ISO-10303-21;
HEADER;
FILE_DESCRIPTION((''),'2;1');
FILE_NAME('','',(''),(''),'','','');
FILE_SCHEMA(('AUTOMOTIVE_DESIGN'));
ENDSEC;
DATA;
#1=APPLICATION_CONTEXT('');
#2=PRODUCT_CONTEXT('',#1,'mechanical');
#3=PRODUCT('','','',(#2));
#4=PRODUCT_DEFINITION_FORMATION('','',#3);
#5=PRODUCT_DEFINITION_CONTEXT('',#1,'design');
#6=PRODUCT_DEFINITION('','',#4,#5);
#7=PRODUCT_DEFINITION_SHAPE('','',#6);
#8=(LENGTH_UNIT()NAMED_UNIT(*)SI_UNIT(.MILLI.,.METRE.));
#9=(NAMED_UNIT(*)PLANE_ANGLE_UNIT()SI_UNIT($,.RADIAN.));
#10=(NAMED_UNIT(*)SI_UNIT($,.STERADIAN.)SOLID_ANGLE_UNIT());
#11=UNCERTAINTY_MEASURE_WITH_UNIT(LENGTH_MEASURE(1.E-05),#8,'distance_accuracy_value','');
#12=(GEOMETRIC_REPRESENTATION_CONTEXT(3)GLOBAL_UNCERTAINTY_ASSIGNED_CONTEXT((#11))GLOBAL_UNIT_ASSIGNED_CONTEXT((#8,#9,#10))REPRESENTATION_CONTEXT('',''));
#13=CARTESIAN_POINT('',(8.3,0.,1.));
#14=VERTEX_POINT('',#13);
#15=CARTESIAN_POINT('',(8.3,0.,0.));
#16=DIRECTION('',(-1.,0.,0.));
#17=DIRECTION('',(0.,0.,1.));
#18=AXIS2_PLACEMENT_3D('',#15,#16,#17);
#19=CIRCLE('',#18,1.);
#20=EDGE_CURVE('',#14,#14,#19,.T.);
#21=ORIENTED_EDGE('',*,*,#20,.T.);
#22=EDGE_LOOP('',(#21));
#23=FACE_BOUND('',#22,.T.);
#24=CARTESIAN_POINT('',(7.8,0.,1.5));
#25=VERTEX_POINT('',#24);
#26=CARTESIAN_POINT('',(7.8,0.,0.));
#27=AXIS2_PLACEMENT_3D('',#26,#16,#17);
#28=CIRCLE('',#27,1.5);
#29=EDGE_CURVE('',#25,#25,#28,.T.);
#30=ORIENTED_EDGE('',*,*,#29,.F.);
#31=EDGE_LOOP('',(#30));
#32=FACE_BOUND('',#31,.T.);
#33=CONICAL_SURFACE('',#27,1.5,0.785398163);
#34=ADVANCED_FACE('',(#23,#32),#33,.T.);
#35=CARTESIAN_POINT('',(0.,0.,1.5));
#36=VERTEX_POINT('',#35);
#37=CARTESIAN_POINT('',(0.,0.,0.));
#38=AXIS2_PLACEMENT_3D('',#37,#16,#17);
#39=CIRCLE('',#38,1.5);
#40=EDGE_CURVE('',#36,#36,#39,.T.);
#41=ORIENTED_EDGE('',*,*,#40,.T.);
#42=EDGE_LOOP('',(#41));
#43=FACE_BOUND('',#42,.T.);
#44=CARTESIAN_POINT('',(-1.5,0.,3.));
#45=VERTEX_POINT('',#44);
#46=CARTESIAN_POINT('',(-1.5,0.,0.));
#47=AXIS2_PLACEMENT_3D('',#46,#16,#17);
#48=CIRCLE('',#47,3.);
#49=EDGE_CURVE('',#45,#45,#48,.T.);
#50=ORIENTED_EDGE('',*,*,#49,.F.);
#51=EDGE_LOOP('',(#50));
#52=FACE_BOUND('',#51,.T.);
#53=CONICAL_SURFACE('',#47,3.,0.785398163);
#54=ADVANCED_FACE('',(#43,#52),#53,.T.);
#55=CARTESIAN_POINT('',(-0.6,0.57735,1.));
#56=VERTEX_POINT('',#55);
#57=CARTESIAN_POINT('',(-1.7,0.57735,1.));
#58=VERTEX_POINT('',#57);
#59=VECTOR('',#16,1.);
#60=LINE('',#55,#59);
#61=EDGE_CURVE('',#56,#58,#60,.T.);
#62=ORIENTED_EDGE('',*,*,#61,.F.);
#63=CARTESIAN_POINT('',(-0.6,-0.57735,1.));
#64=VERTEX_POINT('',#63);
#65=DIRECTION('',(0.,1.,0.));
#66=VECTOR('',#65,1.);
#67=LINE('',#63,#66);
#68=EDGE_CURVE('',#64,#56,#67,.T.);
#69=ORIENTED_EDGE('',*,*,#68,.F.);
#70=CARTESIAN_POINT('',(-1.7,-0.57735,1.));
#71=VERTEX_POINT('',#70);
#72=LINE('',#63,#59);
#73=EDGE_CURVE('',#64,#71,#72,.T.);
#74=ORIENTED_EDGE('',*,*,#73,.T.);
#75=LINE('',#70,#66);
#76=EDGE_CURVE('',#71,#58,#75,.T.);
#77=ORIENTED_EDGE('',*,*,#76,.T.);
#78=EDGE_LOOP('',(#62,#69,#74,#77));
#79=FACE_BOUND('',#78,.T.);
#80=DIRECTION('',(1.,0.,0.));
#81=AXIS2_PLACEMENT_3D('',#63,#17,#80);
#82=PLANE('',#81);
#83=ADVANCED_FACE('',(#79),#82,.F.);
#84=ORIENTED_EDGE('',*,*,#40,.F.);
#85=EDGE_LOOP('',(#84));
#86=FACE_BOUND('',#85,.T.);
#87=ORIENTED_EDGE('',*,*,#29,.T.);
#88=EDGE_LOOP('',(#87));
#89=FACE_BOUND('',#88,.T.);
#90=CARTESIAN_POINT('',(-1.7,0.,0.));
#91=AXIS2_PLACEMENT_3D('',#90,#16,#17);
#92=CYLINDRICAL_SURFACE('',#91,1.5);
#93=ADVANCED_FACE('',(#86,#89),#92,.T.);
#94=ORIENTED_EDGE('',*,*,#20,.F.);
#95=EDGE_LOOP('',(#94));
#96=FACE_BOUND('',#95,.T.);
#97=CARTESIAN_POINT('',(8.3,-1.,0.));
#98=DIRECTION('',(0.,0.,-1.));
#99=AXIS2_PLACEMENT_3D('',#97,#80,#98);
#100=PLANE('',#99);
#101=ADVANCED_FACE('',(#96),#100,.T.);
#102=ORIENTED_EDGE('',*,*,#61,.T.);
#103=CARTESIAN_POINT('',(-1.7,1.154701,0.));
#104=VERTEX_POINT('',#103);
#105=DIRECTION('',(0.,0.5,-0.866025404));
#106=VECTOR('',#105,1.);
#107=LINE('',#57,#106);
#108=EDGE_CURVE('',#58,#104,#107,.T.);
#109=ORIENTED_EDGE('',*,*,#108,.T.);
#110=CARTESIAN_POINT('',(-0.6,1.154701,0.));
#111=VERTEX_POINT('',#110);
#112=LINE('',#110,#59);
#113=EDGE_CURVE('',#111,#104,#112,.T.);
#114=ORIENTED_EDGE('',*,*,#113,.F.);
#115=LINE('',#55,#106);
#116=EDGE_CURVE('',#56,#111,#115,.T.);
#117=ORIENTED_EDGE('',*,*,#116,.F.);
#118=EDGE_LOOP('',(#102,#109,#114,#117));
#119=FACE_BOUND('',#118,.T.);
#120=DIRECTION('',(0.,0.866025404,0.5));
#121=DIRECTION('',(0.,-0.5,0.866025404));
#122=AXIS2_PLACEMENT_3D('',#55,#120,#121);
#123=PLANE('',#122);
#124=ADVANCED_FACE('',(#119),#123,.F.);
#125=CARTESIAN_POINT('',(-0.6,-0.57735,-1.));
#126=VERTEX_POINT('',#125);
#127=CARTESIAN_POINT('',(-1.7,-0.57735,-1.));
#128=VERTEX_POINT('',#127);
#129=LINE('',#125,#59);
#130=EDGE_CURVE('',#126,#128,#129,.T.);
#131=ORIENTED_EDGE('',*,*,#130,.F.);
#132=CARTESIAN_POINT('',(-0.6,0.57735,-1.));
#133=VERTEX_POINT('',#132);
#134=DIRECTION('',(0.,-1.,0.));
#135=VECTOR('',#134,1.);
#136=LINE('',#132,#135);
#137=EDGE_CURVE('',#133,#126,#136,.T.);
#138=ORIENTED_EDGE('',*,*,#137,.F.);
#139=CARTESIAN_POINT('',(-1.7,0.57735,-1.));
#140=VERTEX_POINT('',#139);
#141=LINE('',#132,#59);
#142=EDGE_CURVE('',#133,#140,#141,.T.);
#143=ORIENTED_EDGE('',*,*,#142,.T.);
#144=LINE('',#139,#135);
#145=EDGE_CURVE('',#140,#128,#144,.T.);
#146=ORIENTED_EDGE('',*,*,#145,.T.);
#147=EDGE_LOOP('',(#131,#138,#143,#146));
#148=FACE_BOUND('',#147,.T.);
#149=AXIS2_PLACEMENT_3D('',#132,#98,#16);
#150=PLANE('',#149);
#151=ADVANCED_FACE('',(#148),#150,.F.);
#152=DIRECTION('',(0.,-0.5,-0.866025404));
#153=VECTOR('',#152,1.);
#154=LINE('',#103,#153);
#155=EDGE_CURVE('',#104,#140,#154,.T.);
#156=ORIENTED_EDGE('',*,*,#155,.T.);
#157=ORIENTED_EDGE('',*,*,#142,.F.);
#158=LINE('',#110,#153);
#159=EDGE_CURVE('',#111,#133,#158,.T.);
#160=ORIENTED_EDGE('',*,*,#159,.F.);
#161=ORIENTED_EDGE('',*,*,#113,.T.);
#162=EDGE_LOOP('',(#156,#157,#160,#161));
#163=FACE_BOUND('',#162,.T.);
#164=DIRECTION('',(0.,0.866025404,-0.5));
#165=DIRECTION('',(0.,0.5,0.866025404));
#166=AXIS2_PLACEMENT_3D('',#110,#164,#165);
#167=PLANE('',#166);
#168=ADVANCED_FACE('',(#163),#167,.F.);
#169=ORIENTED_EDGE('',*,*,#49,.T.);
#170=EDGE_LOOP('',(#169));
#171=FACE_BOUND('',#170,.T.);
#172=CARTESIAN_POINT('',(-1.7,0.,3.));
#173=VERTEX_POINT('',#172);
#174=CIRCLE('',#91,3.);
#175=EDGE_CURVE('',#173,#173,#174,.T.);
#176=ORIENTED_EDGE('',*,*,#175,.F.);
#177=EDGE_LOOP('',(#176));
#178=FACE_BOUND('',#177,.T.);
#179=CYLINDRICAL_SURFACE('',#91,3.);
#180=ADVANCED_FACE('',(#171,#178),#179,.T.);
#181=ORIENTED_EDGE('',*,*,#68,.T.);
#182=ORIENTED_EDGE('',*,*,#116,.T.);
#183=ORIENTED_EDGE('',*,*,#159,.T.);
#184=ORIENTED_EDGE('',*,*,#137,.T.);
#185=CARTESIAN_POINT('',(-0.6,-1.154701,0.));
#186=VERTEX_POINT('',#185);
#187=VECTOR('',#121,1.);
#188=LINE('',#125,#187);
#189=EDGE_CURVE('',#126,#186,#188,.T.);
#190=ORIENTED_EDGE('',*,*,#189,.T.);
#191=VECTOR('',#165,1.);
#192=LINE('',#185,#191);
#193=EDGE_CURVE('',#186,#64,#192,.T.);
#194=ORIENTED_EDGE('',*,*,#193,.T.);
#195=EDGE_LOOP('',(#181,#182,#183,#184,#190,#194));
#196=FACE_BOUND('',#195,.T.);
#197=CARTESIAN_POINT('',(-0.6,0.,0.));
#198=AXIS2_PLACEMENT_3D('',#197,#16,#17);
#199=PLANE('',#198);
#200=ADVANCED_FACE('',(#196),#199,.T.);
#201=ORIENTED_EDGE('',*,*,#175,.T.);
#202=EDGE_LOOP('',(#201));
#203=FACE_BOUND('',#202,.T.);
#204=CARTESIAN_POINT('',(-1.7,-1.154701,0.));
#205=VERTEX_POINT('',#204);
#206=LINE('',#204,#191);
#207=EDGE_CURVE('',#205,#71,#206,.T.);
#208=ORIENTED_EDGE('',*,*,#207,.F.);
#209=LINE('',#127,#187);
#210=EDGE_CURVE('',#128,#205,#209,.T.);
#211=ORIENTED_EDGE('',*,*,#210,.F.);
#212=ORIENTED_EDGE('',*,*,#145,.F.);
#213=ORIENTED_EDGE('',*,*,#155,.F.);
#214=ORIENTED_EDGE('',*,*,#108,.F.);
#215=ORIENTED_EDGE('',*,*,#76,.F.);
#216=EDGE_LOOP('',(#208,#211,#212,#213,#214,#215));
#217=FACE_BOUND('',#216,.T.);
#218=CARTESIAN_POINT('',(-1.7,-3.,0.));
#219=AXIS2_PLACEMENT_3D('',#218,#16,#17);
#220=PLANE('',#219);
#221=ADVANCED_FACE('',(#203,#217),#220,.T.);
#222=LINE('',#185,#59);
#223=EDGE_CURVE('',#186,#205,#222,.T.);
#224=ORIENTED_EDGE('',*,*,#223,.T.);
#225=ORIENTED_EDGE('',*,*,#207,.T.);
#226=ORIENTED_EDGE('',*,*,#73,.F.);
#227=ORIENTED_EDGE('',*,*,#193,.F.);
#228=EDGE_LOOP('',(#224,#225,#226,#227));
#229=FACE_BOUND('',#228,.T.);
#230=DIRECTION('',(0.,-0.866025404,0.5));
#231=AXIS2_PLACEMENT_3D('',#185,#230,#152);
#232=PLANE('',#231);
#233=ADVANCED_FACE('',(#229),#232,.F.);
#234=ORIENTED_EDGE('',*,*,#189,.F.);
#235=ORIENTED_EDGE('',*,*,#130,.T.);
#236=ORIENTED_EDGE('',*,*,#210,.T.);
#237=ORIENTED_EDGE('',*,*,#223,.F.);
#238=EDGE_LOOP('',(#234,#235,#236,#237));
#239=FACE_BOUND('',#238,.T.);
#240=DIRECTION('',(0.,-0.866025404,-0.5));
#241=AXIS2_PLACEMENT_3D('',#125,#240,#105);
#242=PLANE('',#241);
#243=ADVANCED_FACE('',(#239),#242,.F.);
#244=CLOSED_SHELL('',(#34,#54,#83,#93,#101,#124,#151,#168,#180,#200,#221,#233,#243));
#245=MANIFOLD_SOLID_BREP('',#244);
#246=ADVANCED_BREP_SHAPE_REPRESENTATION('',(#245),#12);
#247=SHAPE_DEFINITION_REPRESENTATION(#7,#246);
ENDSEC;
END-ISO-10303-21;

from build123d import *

# Parameters (mm, degrees)
CUT_EXTRUDE1_DEPTH = 1.1


with BuildPart() as part:
    # Sketch1 → Revolve1 (revolve)
    with BuildSketch(Plane.XY, mode=Mode.PRIVATE) as revolve1_sk:
        Polygon((0, -1.5), (7.8, -1.5), (8.3, -1), (8.3, 0), (-1.7, 0), (-1.7, -3), (-1.5, -3), align=None)
    revolve(revolve1_sk.sketch.rotate(Axis((-1.7, 0, 0), (1, 0, 0)), 270), axis=Axis((-1.7, 0, 0), (1, 0, 0)))

    # Sketch2 → Cut-Extrude1 (cut)
    with BuildSketch(Plane.ZY.offset(1.7)):
        Polygon((0, 1.154700538), (-1, 0.577350269), (-1, -0.577350269), (0, -1.154700538), (1, -0.577350269), (1, 0.577350269), align=None)
    extrude(amount=-CUT_EXTRUDE1_DEPTH, mode=Mode.SUBTRACT)


solid = part.part
